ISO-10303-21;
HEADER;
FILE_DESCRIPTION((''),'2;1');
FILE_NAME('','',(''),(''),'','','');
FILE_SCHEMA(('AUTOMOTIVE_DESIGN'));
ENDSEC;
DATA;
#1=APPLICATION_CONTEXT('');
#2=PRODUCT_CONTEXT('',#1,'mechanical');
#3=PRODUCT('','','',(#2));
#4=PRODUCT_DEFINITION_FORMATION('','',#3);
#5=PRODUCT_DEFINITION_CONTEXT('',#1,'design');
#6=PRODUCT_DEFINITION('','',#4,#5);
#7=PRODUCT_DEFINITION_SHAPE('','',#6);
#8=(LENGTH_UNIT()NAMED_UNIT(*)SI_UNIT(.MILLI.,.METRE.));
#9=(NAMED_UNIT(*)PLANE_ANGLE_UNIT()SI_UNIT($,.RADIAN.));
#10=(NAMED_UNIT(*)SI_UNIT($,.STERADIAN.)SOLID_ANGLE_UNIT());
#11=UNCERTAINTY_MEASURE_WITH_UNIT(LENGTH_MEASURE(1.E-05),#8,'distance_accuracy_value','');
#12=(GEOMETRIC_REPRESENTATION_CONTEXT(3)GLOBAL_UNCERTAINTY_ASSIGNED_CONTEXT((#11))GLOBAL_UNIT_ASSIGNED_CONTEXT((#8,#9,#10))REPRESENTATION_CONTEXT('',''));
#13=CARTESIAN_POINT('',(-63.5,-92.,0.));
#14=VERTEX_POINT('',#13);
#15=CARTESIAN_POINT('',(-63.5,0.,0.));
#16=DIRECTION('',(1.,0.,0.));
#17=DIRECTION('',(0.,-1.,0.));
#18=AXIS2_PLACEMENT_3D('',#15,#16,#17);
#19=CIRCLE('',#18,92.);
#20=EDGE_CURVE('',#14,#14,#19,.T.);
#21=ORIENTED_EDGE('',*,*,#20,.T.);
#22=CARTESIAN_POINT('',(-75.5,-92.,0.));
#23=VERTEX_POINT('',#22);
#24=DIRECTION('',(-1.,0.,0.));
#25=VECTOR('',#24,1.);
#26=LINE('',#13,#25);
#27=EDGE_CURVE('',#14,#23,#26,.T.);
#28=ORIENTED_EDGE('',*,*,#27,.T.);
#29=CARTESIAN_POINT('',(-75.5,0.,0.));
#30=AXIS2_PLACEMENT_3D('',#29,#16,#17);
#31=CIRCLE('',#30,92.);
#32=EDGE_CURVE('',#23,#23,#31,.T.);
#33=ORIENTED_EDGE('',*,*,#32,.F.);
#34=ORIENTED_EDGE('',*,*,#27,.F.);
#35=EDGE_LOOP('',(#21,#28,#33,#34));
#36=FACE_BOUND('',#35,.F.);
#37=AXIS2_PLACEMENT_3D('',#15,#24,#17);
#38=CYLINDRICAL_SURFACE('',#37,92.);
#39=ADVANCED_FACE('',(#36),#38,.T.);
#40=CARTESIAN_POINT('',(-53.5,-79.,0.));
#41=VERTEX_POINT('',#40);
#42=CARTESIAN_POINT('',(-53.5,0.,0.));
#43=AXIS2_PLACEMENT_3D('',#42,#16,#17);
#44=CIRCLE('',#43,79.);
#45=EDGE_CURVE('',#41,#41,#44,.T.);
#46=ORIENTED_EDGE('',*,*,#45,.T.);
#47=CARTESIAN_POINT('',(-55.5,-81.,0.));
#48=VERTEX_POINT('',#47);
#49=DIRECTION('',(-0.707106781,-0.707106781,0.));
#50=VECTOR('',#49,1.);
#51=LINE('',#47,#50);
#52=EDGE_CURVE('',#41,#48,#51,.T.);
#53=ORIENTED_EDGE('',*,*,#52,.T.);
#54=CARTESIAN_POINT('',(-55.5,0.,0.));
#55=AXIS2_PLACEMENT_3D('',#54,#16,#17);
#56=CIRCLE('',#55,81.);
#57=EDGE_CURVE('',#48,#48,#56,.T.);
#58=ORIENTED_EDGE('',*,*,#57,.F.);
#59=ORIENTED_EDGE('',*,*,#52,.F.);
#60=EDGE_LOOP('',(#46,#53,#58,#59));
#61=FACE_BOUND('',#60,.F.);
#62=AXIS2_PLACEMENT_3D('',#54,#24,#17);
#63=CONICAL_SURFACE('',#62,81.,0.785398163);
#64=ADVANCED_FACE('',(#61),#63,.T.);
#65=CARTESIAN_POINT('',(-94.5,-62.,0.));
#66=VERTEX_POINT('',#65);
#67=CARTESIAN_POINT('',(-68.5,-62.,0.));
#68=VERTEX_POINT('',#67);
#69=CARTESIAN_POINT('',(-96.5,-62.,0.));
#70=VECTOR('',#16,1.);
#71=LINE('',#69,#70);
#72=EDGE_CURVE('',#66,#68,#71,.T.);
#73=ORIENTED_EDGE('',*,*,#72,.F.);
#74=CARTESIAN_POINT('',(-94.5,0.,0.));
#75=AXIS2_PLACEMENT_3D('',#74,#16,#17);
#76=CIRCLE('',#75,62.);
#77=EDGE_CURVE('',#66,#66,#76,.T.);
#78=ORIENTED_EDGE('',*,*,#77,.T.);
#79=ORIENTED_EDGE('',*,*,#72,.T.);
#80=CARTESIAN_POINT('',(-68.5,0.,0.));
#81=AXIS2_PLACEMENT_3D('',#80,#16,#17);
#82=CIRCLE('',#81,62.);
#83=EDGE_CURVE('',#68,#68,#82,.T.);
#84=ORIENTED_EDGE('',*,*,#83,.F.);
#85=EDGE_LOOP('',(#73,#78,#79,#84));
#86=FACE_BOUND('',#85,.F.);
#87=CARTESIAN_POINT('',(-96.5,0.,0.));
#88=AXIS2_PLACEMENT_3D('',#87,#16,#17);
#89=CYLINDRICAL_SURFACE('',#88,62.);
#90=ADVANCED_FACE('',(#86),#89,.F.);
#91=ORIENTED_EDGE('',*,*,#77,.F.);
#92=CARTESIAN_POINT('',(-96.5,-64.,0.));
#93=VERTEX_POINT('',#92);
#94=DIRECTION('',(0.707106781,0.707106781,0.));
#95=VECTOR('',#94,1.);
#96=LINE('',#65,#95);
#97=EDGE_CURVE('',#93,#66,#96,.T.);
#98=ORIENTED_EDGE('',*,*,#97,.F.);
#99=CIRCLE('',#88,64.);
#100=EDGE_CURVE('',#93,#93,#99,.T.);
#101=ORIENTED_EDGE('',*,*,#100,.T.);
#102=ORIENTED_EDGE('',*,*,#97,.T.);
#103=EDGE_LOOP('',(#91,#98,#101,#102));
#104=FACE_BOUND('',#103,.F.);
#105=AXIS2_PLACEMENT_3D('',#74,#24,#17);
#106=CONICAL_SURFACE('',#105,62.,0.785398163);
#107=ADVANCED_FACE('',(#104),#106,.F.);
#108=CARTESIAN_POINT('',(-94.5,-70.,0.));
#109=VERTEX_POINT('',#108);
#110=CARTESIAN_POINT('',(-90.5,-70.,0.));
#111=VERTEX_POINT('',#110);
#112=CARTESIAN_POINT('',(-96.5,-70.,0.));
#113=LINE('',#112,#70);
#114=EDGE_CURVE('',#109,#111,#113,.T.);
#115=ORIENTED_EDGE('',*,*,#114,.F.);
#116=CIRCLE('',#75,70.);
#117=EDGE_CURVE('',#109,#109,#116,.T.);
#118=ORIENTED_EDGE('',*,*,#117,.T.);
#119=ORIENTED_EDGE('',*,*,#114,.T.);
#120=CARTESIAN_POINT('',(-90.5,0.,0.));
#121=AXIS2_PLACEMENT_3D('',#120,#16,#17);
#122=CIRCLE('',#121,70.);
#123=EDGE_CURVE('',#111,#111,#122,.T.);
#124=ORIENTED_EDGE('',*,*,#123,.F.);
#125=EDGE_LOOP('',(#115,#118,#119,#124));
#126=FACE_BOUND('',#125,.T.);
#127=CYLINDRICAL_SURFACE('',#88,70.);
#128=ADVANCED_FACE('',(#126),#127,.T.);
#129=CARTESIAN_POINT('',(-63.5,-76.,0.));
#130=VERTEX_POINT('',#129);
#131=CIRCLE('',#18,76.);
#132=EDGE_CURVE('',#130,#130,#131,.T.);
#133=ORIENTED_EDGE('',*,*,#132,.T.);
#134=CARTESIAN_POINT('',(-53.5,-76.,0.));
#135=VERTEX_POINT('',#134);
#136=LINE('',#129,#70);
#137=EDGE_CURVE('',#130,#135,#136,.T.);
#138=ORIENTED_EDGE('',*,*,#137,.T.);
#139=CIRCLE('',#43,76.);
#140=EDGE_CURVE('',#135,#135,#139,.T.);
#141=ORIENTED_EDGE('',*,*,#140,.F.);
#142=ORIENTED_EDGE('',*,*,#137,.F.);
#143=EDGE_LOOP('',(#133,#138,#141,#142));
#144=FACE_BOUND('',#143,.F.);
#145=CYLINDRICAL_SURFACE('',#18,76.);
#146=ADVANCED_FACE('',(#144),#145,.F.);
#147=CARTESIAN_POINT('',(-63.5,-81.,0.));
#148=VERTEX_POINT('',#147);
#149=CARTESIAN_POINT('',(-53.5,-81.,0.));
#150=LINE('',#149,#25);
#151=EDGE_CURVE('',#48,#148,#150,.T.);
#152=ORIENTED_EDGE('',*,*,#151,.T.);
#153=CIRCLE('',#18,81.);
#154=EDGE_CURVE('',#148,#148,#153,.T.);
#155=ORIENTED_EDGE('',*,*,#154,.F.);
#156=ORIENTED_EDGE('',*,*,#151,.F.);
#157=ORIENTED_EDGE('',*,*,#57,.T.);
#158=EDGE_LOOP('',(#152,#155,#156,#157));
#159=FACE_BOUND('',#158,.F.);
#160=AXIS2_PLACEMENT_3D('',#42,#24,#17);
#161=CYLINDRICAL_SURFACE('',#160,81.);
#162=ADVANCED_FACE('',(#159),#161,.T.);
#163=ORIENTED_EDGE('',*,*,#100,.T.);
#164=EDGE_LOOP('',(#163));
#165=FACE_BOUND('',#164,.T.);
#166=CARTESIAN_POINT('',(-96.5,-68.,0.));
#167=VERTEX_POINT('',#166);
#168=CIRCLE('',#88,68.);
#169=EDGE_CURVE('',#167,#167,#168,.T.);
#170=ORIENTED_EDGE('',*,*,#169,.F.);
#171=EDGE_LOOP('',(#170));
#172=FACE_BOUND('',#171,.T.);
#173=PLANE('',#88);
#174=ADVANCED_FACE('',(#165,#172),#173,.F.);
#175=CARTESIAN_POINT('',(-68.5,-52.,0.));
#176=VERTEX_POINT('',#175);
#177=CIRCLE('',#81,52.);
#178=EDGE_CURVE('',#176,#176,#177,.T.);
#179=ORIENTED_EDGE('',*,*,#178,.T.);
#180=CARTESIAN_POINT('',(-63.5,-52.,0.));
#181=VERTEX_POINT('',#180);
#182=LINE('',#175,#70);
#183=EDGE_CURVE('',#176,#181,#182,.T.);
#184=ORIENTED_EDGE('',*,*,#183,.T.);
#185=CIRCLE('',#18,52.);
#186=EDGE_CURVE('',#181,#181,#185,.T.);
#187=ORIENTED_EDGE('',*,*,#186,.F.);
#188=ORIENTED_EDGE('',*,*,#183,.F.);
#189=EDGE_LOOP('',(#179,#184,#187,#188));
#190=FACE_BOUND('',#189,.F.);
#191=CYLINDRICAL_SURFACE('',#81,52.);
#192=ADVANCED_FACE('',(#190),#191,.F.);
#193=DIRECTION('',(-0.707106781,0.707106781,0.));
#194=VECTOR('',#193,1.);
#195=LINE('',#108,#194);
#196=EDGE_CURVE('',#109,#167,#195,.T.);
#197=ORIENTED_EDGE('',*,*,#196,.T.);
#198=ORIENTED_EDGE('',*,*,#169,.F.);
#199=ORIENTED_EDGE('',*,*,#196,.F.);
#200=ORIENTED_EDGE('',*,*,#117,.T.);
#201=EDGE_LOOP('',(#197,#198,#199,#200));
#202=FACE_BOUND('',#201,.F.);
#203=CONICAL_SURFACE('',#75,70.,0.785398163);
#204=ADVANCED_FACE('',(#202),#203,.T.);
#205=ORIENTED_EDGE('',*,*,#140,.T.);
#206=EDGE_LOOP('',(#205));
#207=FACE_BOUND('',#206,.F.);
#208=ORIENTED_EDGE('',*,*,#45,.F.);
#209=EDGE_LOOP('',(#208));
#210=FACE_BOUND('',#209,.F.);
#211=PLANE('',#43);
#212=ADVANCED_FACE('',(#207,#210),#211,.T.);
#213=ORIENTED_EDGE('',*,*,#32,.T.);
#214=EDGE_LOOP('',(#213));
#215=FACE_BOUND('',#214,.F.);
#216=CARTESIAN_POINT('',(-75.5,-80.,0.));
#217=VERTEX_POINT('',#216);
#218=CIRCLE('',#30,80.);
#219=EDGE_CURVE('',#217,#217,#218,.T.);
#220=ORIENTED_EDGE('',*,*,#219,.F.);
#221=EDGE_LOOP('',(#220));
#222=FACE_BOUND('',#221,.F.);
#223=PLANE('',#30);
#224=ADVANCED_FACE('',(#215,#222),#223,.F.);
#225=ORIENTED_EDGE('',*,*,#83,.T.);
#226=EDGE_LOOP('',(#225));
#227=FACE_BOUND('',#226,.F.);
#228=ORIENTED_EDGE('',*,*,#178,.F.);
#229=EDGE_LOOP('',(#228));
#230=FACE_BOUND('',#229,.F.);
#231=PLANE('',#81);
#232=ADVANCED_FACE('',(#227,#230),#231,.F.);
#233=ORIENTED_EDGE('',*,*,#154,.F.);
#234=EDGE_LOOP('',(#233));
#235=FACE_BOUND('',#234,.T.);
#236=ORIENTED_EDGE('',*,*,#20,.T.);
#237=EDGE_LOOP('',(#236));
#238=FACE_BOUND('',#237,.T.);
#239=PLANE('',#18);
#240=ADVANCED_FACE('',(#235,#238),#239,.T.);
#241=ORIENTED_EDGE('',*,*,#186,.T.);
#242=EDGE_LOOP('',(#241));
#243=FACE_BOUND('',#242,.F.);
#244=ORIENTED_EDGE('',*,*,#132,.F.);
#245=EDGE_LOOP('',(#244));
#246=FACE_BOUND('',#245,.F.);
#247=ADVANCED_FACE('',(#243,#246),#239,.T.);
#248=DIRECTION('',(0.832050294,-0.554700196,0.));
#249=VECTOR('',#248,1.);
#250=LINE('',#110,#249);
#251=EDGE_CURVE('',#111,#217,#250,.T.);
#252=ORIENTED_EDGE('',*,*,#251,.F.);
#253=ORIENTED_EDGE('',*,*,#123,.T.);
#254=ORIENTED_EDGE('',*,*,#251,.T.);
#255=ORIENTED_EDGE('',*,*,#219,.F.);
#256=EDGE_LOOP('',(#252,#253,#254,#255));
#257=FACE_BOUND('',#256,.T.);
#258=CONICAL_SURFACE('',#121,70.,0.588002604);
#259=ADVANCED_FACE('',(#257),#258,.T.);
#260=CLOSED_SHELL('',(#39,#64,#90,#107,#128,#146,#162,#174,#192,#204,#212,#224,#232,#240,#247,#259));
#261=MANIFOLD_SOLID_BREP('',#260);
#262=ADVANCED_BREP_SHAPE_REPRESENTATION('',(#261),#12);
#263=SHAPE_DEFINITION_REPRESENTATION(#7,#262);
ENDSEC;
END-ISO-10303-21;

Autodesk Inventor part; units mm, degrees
ref_plane "YZ Plane" through (0, 0, 0) normal (1, 0, 0) x (0, 1, 0)
ref_plane "XZ Plane" through (0, 0, 0) normal (0, 1, 0) x (-1, 0, 0)
ref_plane "XY Plane" through (0, 0, 0) normal (0, 0, 1) x (1, 0, 0)
sketch "Эскиз1" plane through (0, 0, 0) normal (0, 0, 1) x (1, 0, 0)
  line L0 (-63.5, -92) -> (-63.5, -81)
  line L1 (-63.5, -81) -> (-63.5, -92)
  line L2 (-75.5, -92) -> (-75.5, -80)
  line L3 (-96.5, -62) -> (-68.5, -62)
  line L4 (-68.5, -62) -> (-68.5, -52)
  line L5 (-68.5, -52) -> (-63.5, -52)
  line L6 (-63.5, -52) -> (-63.5, -76)
  line L7 (-63.5, -76) -> (-53.5, -76)
  line L8 (-53.5, -76) -> (-53.5, -81)
  line L9 (-63.5, -92) -> (-75.5, -92)
  line L10 (-53.5, -81) -> (-63.5, -81)
  line L11 (-96.5, -70) -> (-90.5, -70)
  line L12 (-90.5, -70) -> (-75.5, -80)
  line L13 (-96.5, -62) -> (-96.5, -70)
  line L14 (-115.8, 0) -> (19.3, 0) projected
  point P0 (0, 0)
  dimension "d0" = 12
  dimension "d1" = 5
  dimension "d2" = 10
  dimension "d3" = 30
  dimension "d5" = 12
  dimension "d7" = 10
  dimension "d8" = 6
  dimension "d9" = 5
  dimension "d10" = 8
  dimension "d11" = 21
  dimension "d13" = 70
revolve "Вращение1" add sketch "Эскиз1" angle 360 about axis through (-10, 0, 0) along (1, 0, 0)
chamfer "Фаска1" distance 2 angle 45 1 edges at (-96.5, 70, 0)
chamfer "Фаска2" distance 2 angle 45 1 edges at (-96.5, 62, 0)
chamfer "Фаска3" distance 2 angle 45 1 edges at (-53.5, 81, 0)
properties part number "2 крышка"
